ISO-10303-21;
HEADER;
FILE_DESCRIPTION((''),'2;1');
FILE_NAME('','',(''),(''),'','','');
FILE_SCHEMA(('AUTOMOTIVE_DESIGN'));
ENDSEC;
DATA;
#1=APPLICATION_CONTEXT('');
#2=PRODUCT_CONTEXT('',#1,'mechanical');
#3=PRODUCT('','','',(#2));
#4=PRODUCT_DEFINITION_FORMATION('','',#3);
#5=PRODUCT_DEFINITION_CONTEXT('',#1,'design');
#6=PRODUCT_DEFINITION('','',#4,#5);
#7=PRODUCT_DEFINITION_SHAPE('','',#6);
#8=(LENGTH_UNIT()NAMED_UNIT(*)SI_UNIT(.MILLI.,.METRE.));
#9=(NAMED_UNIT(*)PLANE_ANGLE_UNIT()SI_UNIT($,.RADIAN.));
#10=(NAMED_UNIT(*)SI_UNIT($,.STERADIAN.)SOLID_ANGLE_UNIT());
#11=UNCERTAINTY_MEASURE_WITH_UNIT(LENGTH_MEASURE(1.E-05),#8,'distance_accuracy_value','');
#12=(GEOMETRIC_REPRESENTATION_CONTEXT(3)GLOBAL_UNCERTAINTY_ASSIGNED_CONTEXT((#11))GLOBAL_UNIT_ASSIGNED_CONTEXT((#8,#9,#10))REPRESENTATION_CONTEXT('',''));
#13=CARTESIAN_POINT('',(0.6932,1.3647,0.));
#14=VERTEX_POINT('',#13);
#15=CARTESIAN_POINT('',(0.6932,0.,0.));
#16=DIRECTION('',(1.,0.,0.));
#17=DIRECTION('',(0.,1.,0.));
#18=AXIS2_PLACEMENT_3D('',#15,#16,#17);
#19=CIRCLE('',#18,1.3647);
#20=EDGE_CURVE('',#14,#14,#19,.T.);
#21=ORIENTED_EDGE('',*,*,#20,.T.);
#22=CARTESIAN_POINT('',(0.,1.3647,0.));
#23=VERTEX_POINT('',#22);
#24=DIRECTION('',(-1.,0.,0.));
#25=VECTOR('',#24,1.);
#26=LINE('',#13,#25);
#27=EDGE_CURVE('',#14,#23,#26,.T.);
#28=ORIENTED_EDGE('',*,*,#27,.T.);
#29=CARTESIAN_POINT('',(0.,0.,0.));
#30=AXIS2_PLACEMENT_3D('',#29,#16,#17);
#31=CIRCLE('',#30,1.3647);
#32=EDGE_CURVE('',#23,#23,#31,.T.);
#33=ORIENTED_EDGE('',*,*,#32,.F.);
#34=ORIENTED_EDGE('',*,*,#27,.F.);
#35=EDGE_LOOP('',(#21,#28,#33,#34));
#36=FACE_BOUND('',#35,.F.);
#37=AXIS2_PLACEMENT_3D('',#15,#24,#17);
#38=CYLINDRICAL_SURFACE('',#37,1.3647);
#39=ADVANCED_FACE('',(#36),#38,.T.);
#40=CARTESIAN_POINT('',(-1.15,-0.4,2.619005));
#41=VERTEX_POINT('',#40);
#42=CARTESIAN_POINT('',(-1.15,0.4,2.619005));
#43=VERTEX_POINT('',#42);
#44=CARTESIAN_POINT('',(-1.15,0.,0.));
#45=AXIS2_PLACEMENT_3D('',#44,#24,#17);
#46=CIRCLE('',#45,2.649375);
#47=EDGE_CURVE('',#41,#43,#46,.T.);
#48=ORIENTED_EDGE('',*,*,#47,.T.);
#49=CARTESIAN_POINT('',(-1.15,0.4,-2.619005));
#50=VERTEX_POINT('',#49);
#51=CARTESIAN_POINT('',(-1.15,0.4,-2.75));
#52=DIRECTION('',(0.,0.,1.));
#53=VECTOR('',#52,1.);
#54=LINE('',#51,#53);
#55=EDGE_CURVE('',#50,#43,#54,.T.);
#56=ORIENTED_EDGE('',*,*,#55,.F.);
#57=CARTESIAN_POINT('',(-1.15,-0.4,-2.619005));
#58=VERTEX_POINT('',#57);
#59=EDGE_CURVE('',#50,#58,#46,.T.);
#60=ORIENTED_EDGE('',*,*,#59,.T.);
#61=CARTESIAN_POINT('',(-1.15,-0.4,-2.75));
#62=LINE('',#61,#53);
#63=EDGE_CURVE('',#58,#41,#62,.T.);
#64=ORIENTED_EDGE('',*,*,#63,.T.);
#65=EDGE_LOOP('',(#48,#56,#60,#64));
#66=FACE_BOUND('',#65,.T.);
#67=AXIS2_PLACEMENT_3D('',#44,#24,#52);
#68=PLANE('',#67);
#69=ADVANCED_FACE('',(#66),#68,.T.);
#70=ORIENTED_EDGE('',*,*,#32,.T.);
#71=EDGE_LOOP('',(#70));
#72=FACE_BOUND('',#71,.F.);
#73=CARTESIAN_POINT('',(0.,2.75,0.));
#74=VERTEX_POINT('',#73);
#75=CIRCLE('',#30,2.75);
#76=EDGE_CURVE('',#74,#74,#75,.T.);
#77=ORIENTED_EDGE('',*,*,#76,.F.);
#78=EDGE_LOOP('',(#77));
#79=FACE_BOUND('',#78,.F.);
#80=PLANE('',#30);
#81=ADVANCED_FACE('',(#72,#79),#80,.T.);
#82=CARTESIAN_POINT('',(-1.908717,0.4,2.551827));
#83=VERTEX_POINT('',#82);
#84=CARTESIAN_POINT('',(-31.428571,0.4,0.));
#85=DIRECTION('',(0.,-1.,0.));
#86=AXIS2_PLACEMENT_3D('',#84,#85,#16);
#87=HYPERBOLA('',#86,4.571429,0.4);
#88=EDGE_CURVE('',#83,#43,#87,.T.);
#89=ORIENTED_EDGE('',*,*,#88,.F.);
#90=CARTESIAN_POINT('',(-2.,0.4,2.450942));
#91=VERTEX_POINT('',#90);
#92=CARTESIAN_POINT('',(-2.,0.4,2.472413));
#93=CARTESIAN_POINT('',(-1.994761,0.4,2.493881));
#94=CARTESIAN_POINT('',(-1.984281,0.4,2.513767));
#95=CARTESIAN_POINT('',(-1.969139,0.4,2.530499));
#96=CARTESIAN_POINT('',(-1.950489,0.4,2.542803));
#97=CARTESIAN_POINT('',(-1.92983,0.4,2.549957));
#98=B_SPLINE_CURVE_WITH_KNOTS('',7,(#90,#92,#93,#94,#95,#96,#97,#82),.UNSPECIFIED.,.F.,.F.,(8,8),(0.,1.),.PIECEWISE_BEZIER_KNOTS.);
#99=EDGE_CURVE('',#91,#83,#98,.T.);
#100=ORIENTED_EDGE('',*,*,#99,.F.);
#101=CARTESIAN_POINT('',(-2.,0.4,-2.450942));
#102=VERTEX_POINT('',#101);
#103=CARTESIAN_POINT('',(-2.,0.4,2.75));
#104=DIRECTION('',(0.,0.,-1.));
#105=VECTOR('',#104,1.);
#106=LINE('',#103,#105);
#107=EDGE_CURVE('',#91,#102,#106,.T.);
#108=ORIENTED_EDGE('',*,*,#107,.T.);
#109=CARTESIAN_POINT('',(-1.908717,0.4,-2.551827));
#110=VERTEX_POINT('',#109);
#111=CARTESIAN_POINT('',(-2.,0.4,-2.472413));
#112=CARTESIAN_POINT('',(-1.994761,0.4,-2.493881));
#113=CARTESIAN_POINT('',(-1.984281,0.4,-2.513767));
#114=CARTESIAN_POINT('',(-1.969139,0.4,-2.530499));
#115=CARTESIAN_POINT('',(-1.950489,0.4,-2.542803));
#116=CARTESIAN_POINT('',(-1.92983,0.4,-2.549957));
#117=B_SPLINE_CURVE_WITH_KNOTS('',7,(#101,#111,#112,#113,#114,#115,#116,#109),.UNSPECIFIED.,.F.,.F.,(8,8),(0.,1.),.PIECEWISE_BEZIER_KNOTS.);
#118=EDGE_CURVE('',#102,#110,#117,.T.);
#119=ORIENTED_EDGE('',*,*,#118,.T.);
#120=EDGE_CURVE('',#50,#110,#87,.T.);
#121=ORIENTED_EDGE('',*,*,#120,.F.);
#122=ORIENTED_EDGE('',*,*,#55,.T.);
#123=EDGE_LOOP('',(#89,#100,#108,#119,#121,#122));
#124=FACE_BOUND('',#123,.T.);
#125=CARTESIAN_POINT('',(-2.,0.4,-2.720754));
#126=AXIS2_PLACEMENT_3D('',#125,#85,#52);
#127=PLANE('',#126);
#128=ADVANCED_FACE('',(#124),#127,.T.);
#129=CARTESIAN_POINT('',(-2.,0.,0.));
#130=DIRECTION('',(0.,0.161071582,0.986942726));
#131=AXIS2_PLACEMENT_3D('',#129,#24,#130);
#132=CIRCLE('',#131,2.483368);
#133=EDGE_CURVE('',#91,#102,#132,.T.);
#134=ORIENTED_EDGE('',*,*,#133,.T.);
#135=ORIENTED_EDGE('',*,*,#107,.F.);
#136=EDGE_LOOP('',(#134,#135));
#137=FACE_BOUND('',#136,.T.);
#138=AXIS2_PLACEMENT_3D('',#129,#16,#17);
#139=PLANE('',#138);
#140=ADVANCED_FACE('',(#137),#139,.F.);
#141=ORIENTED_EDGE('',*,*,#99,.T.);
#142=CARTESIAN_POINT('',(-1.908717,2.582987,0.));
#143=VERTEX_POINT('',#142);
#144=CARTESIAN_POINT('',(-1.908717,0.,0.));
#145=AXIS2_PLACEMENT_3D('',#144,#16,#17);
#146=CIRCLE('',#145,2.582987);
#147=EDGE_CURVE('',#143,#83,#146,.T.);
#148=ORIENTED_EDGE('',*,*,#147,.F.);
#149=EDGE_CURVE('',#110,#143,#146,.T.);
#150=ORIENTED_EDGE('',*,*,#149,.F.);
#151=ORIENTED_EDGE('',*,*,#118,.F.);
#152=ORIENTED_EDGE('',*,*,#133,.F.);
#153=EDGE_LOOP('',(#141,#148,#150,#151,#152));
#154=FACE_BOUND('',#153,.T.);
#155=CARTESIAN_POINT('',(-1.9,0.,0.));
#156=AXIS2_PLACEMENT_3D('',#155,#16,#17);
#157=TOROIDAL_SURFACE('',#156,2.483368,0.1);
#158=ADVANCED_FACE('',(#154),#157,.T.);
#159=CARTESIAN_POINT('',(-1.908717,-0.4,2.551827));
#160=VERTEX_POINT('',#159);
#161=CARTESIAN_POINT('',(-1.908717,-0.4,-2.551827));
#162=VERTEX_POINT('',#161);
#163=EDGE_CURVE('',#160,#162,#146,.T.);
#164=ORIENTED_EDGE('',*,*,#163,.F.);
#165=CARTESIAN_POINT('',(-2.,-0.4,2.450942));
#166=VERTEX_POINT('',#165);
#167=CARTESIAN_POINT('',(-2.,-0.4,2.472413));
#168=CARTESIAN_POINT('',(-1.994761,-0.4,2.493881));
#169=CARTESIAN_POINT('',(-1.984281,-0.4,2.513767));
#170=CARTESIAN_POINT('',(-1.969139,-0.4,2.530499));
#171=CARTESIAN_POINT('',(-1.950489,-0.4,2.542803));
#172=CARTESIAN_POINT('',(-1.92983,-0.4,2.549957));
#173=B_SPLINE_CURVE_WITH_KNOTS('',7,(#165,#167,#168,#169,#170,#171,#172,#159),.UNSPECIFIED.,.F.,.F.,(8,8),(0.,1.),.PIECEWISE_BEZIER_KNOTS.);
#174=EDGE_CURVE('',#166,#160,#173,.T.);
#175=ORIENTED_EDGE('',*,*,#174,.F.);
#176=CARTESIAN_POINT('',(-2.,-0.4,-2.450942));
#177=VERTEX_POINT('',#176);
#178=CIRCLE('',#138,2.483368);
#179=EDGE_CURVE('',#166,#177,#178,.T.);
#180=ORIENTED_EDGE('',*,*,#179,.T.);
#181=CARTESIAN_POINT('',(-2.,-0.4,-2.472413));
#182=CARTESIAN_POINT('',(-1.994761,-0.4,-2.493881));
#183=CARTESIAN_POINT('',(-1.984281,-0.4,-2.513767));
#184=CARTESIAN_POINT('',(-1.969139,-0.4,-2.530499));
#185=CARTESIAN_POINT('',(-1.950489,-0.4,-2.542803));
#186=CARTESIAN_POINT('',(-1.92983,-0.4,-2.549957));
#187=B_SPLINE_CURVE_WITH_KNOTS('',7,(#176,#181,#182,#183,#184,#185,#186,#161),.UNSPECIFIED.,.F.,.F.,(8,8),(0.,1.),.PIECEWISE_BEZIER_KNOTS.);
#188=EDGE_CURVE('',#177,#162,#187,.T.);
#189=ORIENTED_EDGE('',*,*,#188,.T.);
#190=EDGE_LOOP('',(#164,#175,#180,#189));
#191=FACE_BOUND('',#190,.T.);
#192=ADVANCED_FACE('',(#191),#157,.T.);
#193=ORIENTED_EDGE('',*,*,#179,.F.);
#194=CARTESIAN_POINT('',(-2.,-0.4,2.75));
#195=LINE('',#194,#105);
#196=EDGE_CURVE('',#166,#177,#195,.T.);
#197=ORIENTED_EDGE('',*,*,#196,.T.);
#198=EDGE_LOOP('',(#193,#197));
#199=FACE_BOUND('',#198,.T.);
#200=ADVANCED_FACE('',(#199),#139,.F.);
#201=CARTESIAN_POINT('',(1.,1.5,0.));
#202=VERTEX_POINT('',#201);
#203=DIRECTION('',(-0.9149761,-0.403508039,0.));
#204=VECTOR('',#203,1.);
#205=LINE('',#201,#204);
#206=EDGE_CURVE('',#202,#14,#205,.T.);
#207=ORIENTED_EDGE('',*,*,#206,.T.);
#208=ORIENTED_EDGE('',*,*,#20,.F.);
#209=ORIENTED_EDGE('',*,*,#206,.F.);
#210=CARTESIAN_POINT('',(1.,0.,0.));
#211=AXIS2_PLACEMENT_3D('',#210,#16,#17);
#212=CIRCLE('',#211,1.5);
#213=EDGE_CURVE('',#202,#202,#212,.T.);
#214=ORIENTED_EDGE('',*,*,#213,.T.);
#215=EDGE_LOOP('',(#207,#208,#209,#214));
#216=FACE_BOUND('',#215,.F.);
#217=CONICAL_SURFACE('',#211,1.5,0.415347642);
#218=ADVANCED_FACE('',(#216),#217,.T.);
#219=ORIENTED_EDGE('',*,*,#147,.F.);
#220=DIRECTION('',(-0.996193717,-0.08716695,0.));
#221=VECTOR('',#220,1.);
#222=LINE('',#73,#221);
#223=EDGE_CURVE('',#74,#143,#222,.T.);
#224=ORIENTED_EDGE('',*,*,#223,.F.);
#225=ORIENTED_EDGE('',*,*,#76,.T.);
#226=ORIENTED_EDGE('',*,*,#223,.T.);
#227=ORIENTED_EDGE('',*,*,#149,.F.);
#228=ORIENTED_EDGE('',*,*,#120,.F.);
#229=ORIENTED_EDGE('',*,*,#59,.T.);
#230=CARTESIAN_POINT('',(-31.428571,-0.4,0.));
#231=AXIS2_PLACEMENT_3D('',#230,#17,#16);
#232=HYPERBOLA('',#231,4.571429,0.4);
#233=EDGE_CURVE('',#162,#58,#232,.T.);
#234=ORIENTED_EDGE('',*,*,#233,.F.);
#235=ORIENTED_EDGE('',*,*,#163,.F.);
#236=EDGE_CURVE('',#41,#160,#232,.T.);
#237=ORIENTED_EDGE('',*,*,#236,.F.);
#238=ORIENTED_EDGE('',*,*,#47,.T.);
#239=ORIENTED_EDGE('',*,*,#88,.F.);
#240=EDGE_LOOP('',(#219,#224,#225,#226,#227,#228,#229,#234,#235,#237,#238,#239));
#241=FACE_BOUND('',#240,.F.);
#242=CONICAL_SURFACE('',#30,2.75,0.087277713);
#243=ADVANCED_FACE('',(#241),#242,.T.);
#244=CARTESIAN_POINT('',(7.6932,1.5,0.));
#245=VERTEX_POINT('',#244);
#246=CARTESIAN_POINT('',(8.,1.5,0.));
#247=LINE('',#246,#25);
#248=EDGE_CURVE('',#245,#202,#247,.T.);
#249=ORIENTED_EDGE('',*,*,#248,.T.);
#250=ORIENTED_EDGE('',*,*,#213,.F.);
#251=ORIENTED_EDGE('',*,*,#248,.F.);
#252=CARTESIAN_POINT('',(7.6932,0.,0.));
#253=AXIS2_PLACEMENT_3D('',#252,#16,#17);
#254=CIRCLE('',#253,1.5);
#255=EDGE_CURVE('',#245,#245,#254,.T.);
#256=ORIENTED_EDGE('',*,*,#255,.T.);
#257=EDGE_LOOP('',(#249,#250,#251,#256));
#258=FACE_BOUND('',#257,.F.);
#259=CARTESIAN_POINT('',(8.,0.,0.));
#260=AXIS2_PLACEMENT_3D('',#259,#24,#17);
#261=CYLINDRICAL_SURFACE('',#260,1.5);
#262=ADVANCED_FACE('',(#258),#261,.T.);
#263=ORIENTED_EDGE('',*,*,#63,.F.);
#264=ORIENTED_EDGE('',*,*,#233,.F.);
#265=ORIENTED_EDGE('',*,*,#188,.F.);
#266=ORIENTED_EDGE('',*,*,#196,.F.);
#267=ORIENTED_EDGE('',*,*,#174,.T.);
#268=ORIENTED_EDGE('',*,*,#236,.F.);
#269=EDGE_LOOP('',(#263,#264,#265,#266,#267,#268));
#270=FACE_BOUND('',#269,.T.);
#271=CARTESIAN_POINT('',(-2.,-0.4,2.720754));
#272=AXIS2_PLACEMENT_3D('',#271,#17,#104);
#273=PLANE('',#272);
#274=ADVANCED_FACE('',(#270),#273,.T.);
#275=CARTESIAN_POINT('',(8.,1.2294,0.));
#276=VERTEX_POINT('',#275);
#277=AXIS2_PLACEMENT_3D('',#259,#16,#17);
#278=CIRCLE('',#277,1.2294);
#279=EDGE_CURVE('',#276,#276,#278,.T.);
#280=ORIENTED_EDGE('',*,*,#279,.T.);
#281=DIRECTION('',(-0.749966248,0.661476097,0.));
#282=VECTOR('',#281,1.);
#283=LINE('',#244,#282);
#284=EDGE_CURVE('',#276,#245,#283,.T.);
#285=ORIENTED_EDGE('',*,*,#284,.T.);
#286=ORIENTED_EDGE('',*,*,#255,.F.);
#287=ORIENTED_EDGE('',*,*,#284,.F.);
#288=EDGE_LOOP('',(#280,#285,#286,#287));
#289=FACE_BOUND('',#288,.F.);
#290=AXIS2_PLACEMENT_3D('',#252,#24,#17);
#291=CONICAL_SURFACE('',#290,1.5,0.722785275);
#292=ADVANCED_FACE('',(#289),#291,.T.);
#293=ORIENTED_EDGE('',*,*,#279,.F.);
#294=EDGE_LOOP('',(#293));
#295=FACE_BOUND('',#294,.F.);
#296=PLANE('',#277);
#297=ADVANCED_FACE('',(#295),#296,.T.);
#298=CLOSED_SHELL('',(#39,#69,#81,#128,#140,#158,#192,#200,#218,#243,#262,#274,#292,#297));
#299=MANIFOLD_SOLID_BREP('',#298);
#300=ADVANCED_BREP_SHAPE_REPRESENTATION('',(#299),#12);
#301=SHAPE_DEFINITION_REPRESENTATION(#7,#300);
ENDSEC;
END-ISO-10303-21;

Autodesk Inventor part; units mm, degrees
ref_plane "YZ Plane" through (0, 0, 0) normal (1, 0, 0) x (0, 1, 0)
ref_plane "XZ Plane" through (0, 0, 0) normal (0, 1, 0) x (-1, 0, 0)
sketch "Sketch1" plane through (0, 0, 0) normal (0, 0, 1) x (1, 0, 0)
  line L0 (-2, 0) -> (8, 0)
  line L1 (8, 0) -> (8, 1.5)
  line L2 (8, 1.5) -> (1, 1.5)
  line L3 (1, 1.5) -> (0.6932, 1.3647)
  line L4 (0.6932, 1.3647) -> (0, 1.3647)
  line L5 (0, 1.3647) -> (0, 2.75)
  line L6 (-4, 0) -> (10, 0) projected
  line L7 (0, -0.55) -> (0, 3.3) projected
  line L8 (-2, 0) -> (-2, 2.575)
  line L9 (0, 2.75) -> (-2, 2.575)
  line L10 (1, 1.5) -> (0, 1.5) construction
  dimension "d0" = 8
  dimension "d1" = 7
  dimension "d2" = 0.3068
  dimension "d3" = 2
  dimension "d4" = 3
  dimension "d5" = 2.7294
  dimension "d9" = 5.5
  dimension "d10" = 5
revolve "Body" add sketch "Sketch1" angle 360 about axis through (-2, 0, 0) along (1, 0, 0)
sketch "Sketch2" plane through (-2, 0, 0) normal (-1, 0, 0) x (0, 0, 1)
  circle A0 centre (0, 0) radius 2.75 projected
  line L0 (0, 0) -> (0, 2.575) projected
  line L1 (-2.75, 0.4) -> (2.75, 0.4)
  line L2 (2.75, 0.4) -> (2.75, -0.4)
  line L3 (2.75, -0.4) -> (-2.75, -0.4)
  line L4 (-2.75, -0.4) -> (-2.75, 0.4)
  line L5 (-2.75, 0) -> (2.75, 0) construction
  line L6 (0, 0.4) -> (0, -0.4) construction
  dimension "d11" = 0.8
  dimension "d12" = 5.5
fillet "Fillet1" radius 0.1 1 edges at (-2, -2.575, 0)
extrude "Slot" cut sketch "Sketch2" against normal blind 0.85 contours A0 L3 L1 | L2 L3 A0 | A0 L1 L2 | A0 L4 L1 | L3 L4 A0
thread "Thread" size "M3x0.5" class "6g" standard "ISO Metric profile" length 7
chamfer "Chamfer1" distance 0.2706 distance2 0.3068 1 edges at (8, -1.5, 0) measured on face at (8, 0.417, 0.2189)
ref_plane "Work Plane1" through (30.1625, 0, 0) normal (0, 0, -1) x (1, 0, 0)
equation "\"d11\" = SBR"
equation "\"d12\" = KOD"
equation "\"d14\" = RR"
equation "\"d19\" = STI"
equation "\"d15\" = GEL"
equation "\"d17\" = -0.5 * SPD + 0.5 * GD"
equation "\"d0\" = NLG"
equation "\"d1\" = GEL"
equation "\"d3\" = KOH"
equation "\"d4\" = GD"
equation "\"d5\" = BDM"
equation "\"d9\" = KOD"
equation "\"d10\" = KEWI"
equation "\"GD\" = 3"
equation "\"NLG\" = 8"
equation "\"GEL\" = 7"
equation "\"KOD\" = 5.5"
equation "\"KOH\" = 2"
equation "\"GAL\" = 0.61345 * PTC"
equation "\"SPD\" = 2.45873"
equation "\"BDM\" = 2.72937"
equation "\"GUL\" = 0.61345 * PTC"
equation "\"RR\" = 0.1"
equation "\"SBR\" = 0.8"
equation "\"STI\" = 0.85"
equation "\"KEWI\" = 5deg"
equation "\"PTC\" = 0.5"
equation "\"THREADDIA\" = 3"
equation "\"TOA\" = 30deg"
equation "\"NND\" = 3"
equation "\"GD1\" = THREADDIA - 1.2269 * PTC"
properties part number "DIN 84 - M3 x 8" material "Steel, Mild"
